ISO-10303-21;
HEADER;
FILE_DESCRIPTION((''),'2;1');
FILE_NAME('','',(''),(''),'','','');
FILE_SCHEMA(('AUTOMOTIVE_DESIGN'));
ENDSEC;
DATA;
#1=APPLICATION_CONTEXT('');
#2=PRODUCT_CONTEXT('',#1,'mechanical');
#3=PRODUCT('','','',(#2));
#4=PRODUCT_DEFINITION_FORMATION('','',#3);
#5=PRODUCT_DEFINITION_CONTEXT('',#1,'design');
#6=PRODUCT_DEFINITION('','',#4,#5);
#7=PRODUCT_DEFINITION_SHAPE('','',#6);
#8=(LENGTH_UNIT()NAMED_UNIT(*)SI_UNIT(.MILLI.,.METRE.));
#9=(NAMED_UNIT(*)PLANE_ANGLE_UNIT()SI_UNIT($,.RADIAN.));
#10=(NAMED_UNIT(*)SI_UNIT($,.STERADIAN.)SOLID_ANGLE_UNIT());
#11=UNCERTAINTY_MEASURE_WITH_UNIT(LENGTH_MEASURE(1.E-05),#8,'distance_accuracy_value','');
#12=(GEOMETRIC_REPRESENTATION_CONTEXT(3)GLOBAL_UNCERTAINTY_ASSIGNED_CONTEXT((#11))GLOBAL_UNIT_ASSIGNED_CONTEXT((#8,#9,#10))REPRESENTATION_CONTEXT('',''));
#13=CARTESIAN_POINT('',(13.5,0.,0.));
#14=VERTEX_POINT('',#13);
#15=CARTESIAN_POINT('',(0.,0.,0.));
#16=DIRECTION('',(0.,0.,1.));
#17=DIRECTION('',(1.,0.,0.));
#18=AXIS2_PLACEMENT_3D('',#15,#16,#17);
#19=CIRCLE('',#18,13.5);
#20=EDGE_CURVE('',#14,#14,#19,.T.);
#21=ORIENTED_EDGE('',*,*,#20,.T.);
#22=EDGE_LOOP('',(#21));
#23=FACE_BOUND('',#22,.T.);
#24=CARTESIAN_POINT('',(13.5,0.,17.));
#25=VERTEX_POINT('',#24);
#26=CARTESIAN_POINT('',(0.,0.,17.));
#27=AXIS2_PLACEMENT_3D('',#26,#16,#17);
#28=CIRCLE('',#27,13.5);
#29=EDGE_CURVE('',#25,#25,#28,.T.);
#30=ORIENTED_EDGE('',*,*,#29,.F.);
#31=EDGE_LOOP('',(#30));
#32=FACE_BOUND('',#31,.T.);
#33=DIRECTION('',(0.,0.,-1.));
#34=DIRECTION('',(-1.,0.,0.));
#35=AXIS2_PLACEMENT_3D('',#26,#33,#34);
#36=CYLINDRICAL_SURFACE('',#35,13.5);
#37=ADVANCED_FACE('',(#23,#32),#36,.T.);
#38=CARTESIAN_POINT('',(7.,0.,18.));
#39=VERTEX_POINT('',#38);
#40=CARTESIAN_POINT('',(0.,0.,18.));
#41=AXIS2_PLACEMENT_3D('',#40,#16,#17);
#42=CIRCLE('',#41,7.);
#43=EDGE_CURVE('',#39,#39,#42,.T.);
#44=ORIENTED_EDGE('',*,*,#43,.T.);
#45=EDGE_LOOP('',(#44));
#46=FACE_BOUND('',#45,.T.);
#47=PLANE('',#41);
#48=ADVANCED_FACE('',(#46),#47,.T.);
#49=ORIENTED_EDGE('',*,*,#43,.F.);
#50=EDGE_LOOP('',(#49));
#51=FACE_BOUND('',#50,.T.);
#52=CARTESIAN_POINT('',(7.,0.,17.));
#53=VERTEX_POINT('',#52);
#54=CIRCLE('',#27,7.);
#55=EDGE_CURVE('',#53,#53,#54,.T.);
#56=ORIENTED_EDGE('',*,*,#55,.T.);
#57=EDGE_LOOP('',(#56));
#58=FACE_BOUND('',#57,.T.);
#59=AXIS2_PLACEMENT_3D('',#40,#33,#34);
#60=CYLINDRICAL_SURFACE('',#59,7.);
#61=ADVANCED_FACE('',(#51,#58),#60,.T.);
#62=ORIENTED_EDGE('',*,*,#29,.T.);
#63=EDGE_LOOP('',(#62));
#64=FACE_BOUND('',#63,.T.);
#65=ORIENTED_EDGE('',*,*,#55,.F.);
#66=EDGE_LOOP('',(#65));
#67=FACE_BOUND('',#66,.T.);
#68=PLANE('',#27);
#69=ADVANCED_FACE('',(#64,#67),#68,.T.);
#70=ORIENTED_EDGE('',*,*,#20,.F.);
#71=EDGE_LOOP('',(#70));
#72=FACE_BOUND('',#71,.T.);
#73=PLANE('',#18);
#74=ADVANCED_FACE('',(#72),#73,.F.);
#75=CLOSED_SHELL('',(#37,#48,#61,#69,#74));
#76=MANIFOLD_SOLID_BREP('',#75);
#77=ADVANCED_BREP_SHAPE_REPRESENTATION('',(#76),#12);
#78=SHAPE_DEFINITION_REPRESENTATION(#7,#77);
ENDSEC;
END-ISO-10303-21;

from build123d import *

# Parameters (mm, degrees)
SKETCH_1_R      = 13.5
EXTRUDE_1_DEPTH = 17
SKETCH_2_R      = 7
EXTRUDE_2_DEPTH = 1


with BuildPart() as part:
    # Эскиз1 → Бобышка-Вытянуть1 (new body)
    with BuildSketch(Plane.XY):
        Circle(SKETCH_1_R)
    extrude(amount=EXTRUDE_1_DEPTH)

    # Эскиз2 → Бобышка-Вытянуть2 (add)
    with BuildSketch(Plane.XY.offset(17)):
        Circle(SKETCH_2_R)
    extrude(amount=EXTRUDE_2_DEPTH)


solid = part.part
